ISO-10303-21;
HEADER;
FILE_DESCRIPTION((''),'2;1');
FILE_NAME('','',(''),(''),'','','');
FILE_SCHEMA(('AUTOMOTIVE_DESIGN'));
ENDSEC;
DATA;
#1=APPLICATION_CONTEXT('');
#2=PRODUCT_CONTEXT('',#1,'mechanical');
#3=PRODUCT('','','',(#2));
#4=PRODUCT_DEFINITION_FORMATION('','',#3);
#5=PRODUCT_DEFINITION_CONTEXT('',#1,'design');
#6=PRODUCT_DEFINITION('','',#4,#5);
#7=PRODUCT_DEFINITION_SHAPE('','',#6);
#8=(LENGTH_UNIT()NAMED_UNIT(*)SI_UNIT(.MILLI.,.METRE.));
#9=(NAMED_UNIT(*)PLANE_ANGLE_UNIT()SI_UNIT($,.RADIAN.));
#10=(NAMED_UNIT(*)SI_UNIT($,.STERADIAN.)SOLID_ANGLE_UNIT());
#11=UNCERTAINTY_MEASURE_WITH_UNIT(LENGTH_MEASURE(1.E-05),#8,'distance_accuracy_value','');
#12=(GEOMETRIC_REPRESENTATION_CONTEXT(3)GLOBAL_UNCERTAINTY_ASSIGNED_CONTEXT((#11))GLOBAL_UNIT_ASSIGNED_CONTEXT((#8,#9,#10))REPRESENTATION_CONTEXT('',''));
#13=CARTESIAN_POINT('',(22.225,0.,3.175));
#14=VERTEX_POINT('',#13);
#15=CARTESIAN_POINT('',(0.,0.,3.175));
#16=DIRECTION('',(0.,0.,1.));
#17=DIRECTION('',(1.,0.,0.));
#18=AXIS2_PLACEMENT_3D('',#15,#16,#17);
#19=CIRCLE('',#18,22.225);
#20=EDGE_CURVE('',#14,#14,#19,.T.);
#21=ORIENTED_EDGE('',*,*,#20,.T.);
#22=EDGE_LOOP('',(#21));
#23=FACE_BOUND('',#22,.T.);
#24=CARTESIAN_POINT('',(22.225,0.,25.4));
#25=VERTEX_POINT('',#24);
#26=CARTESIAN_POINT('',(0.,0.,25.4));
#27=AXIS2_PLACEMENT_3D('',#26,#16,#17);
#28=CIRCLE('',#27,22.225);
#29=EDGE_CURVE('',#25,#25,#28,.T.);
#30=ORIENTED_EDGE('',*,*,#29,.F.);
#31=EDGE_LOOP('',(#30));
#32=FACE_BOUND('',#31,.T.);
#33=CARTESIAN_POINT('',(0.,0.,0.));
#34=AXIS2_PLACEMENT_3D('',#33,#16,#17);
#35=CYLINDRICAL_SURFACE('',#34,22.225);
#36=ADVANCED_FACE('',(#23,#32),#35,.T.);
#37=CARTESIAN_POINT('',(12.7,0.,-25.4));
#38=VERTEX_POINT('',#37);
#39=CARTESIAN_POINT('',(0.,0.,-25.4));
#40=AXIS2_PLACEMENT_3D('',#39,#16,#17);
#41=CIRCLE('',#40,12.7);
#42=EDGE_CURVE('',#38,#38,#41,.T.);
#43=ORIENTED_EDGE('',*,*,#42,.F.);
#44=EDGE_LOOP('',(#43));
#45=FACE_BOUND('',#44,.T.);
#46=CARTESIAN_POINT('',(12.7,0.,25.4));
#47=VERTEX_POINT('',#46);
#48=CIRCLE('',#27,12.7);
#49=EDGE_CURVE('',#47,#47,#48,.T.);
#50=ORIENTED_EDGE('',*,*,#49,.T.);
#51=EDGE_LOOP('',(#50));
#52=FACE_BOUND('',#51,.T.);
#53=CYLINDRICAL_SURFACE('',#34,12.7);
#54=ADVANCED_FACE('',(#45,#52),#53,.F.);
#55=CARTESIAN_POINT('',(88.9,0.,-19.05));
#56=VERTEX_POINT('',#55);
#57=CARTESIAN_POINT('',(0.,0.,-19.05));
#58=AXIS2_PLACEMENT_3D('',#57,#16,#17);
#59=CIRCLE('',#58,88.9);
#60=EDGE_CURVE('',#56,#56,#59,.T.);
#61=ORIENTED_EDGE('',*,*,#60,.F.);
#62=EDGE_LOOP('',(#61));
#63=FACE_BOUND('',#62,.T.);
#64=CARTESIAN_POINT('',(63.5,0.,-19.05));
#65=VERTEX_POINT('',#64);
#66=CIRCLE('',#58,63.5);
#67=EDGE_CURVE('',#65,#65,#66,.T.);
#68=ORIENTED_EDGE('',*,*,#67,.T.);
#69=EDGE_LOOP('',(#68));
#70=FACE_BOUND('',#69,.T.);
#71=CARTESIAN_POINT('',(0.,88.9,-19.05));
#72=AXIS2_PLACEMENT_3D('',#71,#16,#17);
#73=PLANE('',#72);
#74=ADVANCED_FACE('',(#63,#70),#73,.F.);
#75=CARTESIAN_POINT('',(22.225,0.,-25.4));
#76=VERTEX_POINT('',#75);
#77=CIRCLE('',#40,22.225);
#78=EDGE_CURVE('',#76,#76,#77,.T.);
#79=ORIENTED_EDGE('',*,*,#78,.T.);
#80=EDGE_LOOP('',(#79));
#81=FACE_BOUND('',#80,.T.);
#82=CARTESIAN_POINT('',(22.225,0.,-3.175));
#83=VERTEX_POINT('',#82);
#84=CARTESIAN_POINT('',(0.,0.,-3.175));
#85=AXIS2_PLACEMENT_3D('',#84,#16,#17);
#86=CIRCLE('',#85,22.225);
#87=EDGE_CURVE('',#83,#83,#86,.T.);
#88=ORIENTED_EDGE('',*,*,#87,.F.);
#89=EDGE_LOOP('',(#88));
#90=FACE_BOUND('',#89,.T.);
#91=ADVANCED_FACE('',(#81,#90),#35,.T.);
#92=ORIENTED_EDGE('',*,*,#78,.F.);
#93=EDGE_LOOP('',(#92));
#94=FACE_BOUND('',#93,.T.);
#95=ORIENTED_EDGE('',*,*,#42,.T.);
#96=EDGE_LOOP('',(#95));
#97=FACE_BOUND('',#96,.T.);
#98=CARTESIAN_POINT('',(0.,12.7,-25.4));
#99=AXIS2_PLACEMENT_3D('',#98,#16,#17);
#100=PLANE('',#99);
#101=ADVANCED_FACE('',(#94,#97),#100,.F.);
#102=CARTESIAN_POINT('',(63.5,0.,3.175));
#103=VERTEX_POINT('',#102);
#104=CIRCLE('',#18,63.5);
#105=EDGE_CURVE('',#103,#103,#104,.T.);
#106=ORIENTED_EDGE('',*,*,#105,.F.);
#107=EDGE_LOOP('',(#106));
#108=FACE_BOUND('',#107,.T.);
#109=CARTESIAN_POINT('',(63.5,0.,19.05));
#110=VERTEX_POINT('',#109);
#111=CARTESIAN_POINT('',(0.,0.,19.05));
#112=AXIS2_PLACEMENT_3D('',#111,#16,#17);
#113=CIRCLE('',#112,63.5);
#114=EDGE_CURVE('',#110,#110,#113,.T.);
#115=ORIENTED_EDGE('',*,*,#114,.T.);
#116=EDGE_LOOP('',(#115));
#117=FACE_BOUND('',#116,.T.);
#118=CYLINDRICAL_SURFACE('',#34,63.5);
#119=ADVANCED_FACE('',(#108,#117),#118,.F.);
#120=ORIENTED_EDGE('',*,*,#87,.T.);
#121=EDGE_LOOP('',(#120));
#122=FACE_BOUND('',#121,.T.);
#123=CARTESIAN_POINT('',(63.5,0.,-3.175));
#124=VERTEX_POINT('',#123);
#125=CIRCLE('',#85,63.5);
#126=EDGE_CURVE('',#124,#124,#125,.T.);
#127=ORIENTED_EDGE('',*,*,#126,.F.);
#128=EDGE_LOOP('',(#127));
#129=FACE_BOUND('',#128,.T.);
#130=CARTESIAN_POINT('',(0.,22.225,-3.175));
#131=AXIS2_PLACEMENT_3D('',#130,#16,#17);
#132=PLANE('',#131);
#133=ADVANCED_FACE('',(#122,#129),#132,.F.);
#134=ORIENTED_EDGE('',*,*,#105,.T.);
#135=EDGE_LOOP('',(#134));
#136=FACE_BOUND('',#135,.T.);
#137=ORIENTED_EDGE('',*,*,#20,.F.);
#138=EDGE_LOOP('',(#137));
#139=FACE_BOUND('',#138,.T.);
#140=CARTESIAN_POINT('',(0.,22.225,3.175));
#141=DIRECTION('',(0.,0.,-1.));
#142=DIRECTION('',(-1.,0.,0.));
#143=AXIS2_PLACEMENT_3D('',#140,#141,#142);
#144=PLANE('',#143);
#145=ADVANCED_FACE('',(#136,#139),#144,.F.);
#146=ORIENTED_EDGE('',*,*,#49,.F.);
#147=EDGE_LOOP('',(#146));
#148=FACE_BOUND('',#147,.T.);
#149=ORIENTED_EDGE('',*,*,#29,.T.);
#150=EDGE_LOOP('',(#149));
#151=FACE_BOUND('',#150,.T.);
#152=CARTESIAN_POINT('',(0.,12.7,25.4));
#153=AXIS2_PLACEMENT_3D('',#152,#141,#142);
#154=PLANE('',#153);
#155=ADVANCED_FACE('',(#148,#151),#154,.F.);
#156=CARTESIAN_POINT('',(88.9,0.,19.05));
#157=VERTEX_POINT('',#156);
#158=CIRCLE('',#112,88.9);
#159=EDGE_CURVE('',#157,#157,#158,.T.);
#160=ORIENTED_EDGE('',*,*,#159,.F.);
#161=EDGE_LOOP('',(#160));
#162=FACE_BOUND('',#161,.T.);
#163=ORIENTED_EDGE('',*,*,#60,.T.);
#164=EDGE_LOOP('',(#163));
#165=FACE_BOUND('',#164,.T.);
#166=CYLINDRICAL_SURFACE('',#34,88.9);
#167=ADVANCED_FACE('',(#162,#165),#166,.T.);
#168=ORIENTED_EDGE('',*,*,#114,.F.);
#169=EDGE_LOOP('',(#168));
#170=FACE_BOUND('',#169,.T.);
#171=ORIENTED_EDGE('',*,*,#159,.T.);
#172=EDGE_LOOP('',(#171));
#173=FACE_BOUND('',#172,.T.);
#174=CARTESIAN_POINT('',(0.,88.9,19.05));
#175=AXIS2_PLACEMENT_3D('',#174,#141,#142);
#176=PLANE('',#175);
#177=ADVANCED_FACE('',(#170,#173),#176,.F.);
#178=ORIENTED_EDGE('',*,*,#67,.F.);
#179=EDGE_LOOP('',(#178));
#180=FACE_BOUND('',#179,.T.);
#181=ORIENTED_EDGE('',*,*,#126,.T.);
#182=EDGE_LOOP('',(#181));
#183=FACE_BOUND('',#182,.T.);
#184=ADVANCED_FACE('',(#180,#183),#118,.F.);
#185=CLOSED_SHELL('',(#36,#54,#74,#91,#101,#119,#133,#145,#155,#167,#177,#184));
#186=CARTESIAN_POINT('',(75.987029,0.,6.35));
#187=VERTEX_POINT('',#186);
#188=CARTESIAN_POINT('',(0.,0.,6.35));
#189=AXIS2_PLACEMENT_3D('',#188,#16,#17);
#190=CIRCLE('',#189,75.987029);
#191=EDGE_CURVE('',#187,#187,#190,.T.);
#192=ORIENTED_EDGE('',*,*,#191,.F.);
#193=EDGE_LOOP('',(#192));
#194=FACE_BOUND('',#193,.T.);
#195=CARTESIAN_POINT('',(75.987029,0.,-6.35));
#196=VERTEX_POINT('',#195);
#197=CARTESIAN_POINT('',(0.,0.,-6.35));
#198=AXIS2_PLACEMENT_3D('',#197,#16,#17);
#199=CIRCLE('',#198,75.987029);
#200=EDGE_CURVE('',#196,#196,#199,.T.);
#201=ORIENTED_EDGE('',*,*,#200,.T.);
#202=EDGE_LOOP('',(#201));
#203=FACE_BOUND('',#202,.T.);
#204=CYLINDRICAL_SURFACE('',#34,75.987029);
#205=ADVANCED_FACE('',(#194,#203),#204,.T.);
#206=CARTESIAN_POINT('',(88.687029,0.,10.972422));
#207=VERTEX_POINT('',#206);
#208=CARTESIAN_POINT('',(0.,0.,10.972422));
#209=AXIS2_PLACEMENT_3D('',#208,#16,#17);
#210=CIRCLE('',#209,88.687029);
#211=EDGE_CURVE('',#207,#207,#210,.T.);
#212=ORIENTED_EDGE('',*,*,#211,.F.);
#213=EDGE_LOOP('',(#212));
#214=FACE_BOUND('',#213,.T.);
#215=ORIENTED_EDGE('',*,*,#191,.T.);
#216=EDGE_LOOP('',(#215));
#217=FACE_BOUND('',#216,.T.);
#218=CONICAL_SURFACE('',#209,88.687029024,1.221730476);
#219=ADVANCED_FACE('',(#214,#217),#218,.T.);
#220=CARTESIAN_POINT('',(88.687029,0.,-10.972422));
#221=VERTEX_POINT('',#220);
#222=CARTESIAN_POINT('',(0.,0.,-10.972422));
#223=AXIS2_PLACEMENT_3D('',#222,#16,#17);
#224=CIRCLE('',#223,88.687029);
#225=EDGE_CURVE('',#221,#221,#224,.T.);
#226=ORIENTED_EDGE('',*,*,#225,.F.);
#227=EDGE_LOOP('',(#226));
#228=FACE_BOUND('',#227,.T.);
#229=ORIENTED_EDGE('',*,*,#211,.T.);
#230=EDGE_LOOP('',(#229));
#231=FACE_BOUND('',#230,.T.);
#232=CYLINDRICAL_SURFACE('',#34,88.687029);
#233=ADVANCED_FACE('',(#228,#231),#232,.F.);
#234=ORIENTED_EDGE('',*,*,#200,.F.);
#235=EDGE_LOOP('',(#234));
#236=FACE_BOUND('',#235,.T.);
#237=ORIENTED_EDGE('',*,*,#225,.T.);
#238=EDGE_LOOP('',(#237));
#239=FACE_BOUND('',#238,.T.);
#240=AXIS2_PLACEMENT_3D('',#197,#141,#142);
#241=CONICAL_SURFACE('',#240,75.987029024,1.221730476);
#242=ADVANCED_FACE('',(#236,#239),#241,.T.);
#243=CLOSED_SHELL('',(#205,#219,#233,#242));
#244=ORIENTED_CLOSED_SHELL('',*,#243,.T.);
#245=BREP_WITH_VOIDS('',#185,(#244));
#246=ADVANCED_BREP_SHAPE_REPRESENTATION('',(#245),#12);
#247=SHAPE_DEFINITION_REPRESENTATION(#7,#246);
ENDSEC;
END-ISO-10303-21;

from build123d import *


with BuildPart() as part:
    # Sketch1 → Revolve2 (revolve)
    with BuildSketch(Plane(origin=(0, 0, 0), x_dir=(0, 0, -1), z_dir=(1, 0, 0)), mode=Mode.PRIVATE) as revolve2_sk:
        Polygon((-25.4, 12.7), (25.4, 12.7), (25.4, 22.225), (3.175, 22.225), (3.175, 63.5), (19.05, 63.5), (19.05, 88.9), (-19.05, 88.9), (-19.05, 63.5), (-3.175, 63.5), (-3.175, 22.225), (-25.4, 22.225), align=None)
    revolve(revolve2_sk.sketch.rotate(Axis((0, 0, 0), (0, 0, -1)), 90), axis=Axis((0, 0, 0), (0, 0, -1)))

    # Sketch2 → Cut-Revolve1 (revolve, cut)
    with BuildSketch(Plane(origin=(0, 0, 0), x_dir=(0, 0, -1), z_dir=(1, 0, 0)), mode=Mode.PRIVATE) as cut_revolve1_sk:
        Polygon((-10.972421975, 88.687029024), (-6.35, 75.987029024), (6.35, 75.987029024), (10.972421975, 88.687029024), align=None)
    revolve(cut_revolve1_sk.sketch.rotate(Axis((0, 0, 0), (0, 0, -1)), 90), axis=Axis((0, 0, 0), (0, 0, -1)), mode=Mode.SUBTRACT)


solid = part.part
